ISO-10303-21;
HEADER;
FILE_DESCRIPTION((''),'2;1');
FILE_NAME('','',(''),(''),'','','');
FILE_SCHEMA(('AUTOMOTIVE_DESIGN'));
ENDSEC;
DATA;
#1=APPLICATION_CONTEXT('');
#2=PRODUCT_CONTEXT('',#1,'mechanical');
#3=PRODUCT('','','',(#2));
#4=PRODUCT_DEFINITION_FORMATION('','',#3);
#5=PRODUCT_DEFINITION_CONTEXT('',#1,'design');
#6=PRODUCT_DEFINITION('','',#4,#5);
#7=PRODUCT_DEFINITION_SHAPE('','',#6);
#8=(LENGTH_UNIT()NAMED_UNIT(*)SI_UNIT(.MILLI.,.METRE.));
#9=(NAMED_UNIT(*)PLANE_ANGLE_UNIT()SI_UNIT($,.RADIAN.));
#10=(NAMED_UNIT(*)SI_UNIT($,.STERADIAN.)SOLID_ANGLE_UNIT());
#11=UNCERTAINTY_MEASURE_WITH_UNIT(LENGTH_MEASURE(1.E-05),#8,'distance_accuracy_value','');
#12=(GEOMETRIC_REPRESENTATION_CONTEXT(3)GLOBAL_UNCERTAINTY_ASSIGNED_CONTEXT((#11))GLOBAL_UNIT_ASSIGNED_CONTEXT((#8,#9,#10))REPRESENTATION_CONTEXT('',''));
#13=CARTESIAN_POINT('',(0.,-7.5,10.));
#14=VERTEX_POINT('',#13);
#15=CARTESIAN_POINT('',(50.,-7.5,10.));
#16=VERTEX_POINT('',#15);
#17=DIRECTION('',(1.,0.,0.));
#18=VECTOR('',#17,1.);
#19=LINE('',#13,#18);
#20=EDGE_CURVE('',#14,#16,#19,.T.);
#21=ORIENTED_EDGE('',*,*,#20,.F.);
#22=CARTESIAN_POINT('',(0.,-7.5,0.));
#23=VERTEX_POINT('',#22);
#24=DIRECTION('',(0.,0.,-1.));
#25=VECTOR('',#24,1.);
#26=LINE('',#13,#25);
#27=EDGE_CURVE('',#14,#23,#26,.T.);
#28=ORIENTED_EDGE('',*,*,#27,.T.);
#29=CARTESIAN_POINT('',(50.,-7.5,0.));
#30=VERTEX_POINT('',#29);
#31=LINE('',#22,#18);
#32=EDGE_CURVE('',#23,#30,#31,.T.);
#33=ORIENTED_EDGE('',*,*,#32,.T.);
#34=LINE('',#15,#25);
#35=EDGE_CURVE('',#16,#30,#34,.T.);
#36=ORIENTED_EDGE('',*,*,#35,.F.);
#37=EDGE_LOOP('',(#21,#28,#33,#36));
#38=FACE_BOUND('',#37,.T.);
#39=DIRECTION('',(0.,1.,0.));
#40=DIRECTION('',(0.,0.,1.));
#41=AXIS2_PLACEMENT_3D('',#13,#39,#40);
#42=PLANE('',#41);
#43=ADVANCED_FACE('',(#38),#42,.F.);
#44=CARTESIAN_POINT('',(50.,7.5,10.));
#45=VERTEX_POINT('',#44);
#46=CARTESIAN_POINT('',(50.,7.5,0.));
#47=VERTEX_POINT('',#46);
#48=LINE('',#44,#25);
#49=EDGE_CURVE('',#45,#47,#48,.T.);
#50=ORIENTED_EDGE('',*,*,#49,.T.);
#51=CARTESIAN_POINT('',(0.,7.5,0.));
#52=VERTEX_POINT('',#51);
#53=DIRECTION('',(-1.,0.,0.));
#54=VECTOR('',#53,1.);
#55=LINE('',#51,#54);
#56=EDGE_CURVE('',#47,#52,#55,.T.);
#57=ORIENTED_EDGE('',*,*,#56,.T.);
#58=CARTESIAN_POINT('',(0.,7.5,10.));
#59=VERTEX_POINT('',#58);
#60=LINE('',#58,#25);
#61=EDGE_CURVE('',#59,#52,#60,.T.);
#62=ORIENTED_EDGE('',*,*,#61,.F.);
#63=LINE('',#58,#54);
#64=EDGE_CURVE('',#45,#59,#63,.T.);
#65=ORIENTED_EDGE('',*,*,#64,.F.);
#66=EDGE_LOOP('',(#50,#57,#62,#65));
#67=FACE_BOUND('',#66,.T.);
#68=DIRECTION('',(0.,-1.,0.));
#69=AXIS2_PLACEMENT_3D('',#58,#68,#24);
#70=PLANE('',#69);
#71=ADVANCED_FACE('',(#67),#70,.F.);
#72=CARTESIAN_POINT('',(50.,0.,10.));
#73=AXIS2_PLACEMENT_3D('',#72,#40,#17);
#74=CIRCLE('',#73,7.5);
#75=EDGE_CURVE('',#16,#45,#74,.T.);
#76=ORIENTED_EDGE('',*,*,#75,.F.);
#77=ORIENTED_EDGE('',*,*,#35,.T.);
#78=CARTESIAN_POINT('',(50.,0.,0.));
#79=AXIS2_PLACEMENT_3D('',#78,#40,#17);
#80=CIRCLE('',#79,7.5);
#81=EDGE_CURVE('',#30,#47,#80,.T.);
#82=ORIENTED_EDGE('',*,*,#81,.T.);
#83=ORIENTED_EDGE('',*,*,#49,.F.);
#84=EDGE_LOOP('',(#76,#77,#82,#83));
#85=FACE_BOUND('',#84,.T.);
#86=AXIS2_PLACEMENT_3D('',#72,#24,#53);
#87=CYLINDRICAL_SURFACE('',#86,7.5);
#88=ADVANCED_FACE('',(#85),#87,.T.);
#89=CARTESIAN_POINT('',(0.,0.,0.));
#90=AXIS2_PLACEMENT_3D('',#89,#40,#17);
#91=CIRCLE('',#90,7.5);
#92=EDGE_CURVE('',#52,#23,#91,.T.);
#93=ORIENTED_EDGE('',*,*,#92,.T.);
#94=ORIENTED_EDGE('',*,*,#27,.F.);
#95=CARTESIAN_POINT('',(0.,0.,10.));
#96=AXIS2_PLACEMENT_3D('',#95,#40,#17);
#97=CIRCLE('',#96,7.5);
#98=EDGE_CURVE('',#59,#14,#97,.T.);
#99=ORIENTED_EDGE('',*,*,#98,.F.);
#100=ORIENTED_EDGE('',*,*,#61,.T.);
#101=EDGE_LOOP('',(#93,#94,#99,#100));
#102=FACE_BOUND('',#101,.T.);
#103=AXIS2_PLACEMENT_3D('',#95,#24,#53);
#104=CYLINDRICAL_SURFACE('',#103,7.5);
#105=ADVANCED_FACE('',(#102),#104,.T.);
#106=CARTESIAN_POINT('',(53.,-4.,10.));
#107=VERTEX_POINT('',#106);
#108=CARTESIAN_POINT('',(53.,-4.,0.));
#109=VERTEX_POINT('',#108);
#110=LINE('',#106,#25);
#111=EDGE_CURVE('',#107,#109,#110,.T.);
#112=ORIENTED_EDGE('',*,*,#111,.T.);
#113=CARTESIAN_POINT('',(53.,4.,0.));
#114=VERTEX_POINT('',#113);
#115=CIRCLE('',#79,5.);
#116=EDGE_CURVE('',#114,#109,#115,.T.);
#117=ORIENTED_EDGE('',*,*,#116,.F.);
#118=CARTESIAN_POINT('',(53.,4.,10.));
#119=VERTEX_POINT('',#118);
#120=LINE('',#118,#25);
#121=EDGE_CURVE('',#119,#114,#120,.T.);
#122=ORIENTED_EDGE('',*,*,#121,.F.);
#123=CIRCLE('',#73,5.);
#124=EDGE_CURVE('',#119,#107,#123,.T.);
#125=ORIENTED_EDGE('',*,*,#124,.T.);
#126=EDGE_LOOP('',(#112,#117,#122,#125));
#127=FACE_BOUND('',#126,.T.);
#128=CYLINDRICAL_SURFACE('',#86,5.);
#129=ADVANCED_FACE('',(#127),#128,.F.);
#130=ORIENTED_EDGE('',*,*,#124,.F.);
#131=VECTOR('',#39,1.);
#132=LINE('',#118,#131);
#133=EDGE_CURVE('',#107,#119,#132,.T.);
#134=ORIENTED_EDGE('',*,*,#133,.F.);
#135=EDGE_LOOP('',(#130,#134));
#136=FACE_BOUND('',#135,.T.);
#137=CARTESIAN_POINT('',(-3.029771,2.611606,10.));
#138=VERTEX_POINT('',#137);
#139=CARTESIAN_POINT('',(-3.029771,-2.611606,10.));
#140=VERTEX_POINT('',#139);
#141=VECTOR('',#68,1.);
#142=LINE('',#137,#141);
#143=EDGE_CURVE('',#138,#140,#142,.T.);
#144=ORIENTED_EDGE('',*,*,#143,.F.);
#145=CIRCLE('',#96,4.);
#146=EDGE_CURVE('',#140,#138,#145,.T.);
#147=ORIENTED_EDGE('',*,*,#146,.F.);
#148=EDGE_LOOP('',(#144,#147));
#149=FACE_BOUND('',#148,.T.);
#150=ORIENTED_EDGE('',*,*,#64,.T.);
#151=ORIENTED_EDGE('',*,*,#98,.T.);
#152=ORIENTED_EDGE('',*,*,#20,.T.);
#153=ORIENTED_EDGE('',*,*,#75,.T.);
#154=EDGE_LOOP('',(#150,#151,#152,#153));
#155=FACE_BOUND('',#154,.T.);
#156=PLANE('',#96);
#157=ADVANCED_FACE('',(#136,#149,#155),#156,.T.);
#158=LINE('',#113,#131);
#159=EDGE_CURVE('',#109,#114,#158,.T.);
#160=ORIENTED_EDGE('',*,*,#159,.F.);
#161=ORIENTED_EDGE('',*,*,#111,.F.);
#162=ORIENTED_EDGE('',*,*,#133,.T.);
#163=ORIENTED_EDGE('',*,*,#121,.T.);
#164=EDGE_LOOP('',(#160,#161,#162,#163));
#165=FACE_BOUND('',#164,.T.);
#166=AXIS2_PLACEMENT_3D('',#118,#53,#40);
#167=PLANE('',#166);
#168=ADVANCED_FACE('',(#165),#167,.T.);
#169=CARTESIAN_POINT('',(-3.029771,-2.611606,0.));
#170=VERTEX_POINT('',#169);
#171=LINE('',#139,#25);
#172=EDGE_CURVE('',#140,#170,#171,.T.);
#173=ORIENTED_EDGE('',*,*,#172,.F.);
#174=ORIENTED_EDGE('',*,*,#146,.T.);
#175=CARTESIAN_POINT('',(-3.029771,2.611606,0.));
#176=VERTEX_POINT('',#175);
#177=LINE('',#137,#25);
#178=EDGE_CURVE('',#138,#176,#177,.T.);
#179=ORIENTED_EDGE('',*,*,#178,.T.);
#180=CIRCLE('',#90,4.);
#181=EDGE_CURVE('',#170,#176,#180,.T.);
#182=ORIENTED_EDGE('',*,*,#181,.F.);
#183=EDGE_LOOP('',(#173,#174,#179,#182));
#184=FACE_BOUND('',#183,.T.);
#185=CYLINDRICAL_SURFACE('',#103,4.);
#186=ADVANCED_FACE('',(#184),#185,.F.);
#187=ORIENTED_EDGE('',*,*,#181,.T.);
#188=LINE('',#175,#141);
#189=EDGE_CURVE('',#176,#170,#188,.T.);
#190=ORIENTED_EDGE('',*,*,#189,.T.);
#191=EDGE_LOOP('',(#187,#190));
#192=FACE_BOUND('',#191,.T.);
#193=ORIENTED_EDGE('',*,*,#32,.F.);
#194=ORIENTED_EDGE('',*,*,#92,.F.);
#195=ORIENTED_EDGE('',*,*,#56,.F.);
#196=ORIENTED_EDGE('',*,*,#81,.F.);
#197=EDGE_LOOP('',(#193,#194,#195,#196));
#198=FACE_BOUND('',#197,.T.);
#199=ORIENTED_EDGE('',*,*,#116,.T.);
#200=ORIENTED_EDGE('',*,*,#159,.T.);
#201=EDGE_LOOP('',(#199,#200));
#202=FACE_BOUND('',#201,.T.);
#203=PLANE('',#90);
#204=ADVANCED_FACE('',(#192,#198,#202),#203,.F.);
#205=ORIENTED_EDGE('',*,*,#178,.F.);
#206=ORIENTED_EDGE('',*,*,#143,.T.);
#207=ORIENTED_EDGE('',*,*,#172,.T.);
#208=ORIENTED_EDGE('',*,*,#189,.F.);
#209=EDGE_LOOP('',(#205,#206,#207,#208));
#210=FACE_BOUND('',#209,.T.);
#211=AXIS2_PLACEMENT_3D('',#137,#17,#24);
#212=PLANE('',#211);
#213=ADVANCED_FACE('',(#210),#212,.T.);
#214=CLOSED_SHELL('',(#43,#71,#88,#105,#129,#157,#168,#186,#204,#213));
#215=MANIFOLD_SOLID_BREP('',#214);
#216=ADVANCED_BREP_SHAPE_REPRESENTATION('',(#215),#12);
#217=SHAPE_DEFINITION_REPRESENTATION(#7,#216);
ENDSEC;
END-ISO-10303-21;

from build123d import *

# Parameters (mm, degrees)
Y_KSEKLIK_EKSTR_ZYON1_DEPTH = 10


with BuildPart() as part:
    # Çizim1 → Yükseklik-Ekstrüzyon1 (new body)
    with BuildSketch(Plane.XY):
        with BuildLine():
            Line((0, 7.5), (50, 7.5))
            ThreePointArc((50, 7.5), (57.5, 0), (50, -7.5))
            Line((50, -7.5), (0, -7.5))
            ThreePointArc((0, -7.5), (-7.5, 0), (0, 7.5))
        make_face()
        with BuildLine():
            Line((53, 4), (53, -4))
            ThreePointArc((53, -4), (45, 0), (53, 4))
        make_face(mode=Mode.SUBTRACT)
        with BuildLine():
            Line((-3.029770917, 2.611606439), (-3.029770917, -2.611606439))
            ThreePointArc((-3.029770917, -2.611606439), (4, 0), (-3.029770917, 2.611606439))
        make_face(mode=Mode.SUBTRACT)
    extrude(amount=Y_KSEKLIK_EKSTR_ZYON1_DEPTH)


solid = part.part
